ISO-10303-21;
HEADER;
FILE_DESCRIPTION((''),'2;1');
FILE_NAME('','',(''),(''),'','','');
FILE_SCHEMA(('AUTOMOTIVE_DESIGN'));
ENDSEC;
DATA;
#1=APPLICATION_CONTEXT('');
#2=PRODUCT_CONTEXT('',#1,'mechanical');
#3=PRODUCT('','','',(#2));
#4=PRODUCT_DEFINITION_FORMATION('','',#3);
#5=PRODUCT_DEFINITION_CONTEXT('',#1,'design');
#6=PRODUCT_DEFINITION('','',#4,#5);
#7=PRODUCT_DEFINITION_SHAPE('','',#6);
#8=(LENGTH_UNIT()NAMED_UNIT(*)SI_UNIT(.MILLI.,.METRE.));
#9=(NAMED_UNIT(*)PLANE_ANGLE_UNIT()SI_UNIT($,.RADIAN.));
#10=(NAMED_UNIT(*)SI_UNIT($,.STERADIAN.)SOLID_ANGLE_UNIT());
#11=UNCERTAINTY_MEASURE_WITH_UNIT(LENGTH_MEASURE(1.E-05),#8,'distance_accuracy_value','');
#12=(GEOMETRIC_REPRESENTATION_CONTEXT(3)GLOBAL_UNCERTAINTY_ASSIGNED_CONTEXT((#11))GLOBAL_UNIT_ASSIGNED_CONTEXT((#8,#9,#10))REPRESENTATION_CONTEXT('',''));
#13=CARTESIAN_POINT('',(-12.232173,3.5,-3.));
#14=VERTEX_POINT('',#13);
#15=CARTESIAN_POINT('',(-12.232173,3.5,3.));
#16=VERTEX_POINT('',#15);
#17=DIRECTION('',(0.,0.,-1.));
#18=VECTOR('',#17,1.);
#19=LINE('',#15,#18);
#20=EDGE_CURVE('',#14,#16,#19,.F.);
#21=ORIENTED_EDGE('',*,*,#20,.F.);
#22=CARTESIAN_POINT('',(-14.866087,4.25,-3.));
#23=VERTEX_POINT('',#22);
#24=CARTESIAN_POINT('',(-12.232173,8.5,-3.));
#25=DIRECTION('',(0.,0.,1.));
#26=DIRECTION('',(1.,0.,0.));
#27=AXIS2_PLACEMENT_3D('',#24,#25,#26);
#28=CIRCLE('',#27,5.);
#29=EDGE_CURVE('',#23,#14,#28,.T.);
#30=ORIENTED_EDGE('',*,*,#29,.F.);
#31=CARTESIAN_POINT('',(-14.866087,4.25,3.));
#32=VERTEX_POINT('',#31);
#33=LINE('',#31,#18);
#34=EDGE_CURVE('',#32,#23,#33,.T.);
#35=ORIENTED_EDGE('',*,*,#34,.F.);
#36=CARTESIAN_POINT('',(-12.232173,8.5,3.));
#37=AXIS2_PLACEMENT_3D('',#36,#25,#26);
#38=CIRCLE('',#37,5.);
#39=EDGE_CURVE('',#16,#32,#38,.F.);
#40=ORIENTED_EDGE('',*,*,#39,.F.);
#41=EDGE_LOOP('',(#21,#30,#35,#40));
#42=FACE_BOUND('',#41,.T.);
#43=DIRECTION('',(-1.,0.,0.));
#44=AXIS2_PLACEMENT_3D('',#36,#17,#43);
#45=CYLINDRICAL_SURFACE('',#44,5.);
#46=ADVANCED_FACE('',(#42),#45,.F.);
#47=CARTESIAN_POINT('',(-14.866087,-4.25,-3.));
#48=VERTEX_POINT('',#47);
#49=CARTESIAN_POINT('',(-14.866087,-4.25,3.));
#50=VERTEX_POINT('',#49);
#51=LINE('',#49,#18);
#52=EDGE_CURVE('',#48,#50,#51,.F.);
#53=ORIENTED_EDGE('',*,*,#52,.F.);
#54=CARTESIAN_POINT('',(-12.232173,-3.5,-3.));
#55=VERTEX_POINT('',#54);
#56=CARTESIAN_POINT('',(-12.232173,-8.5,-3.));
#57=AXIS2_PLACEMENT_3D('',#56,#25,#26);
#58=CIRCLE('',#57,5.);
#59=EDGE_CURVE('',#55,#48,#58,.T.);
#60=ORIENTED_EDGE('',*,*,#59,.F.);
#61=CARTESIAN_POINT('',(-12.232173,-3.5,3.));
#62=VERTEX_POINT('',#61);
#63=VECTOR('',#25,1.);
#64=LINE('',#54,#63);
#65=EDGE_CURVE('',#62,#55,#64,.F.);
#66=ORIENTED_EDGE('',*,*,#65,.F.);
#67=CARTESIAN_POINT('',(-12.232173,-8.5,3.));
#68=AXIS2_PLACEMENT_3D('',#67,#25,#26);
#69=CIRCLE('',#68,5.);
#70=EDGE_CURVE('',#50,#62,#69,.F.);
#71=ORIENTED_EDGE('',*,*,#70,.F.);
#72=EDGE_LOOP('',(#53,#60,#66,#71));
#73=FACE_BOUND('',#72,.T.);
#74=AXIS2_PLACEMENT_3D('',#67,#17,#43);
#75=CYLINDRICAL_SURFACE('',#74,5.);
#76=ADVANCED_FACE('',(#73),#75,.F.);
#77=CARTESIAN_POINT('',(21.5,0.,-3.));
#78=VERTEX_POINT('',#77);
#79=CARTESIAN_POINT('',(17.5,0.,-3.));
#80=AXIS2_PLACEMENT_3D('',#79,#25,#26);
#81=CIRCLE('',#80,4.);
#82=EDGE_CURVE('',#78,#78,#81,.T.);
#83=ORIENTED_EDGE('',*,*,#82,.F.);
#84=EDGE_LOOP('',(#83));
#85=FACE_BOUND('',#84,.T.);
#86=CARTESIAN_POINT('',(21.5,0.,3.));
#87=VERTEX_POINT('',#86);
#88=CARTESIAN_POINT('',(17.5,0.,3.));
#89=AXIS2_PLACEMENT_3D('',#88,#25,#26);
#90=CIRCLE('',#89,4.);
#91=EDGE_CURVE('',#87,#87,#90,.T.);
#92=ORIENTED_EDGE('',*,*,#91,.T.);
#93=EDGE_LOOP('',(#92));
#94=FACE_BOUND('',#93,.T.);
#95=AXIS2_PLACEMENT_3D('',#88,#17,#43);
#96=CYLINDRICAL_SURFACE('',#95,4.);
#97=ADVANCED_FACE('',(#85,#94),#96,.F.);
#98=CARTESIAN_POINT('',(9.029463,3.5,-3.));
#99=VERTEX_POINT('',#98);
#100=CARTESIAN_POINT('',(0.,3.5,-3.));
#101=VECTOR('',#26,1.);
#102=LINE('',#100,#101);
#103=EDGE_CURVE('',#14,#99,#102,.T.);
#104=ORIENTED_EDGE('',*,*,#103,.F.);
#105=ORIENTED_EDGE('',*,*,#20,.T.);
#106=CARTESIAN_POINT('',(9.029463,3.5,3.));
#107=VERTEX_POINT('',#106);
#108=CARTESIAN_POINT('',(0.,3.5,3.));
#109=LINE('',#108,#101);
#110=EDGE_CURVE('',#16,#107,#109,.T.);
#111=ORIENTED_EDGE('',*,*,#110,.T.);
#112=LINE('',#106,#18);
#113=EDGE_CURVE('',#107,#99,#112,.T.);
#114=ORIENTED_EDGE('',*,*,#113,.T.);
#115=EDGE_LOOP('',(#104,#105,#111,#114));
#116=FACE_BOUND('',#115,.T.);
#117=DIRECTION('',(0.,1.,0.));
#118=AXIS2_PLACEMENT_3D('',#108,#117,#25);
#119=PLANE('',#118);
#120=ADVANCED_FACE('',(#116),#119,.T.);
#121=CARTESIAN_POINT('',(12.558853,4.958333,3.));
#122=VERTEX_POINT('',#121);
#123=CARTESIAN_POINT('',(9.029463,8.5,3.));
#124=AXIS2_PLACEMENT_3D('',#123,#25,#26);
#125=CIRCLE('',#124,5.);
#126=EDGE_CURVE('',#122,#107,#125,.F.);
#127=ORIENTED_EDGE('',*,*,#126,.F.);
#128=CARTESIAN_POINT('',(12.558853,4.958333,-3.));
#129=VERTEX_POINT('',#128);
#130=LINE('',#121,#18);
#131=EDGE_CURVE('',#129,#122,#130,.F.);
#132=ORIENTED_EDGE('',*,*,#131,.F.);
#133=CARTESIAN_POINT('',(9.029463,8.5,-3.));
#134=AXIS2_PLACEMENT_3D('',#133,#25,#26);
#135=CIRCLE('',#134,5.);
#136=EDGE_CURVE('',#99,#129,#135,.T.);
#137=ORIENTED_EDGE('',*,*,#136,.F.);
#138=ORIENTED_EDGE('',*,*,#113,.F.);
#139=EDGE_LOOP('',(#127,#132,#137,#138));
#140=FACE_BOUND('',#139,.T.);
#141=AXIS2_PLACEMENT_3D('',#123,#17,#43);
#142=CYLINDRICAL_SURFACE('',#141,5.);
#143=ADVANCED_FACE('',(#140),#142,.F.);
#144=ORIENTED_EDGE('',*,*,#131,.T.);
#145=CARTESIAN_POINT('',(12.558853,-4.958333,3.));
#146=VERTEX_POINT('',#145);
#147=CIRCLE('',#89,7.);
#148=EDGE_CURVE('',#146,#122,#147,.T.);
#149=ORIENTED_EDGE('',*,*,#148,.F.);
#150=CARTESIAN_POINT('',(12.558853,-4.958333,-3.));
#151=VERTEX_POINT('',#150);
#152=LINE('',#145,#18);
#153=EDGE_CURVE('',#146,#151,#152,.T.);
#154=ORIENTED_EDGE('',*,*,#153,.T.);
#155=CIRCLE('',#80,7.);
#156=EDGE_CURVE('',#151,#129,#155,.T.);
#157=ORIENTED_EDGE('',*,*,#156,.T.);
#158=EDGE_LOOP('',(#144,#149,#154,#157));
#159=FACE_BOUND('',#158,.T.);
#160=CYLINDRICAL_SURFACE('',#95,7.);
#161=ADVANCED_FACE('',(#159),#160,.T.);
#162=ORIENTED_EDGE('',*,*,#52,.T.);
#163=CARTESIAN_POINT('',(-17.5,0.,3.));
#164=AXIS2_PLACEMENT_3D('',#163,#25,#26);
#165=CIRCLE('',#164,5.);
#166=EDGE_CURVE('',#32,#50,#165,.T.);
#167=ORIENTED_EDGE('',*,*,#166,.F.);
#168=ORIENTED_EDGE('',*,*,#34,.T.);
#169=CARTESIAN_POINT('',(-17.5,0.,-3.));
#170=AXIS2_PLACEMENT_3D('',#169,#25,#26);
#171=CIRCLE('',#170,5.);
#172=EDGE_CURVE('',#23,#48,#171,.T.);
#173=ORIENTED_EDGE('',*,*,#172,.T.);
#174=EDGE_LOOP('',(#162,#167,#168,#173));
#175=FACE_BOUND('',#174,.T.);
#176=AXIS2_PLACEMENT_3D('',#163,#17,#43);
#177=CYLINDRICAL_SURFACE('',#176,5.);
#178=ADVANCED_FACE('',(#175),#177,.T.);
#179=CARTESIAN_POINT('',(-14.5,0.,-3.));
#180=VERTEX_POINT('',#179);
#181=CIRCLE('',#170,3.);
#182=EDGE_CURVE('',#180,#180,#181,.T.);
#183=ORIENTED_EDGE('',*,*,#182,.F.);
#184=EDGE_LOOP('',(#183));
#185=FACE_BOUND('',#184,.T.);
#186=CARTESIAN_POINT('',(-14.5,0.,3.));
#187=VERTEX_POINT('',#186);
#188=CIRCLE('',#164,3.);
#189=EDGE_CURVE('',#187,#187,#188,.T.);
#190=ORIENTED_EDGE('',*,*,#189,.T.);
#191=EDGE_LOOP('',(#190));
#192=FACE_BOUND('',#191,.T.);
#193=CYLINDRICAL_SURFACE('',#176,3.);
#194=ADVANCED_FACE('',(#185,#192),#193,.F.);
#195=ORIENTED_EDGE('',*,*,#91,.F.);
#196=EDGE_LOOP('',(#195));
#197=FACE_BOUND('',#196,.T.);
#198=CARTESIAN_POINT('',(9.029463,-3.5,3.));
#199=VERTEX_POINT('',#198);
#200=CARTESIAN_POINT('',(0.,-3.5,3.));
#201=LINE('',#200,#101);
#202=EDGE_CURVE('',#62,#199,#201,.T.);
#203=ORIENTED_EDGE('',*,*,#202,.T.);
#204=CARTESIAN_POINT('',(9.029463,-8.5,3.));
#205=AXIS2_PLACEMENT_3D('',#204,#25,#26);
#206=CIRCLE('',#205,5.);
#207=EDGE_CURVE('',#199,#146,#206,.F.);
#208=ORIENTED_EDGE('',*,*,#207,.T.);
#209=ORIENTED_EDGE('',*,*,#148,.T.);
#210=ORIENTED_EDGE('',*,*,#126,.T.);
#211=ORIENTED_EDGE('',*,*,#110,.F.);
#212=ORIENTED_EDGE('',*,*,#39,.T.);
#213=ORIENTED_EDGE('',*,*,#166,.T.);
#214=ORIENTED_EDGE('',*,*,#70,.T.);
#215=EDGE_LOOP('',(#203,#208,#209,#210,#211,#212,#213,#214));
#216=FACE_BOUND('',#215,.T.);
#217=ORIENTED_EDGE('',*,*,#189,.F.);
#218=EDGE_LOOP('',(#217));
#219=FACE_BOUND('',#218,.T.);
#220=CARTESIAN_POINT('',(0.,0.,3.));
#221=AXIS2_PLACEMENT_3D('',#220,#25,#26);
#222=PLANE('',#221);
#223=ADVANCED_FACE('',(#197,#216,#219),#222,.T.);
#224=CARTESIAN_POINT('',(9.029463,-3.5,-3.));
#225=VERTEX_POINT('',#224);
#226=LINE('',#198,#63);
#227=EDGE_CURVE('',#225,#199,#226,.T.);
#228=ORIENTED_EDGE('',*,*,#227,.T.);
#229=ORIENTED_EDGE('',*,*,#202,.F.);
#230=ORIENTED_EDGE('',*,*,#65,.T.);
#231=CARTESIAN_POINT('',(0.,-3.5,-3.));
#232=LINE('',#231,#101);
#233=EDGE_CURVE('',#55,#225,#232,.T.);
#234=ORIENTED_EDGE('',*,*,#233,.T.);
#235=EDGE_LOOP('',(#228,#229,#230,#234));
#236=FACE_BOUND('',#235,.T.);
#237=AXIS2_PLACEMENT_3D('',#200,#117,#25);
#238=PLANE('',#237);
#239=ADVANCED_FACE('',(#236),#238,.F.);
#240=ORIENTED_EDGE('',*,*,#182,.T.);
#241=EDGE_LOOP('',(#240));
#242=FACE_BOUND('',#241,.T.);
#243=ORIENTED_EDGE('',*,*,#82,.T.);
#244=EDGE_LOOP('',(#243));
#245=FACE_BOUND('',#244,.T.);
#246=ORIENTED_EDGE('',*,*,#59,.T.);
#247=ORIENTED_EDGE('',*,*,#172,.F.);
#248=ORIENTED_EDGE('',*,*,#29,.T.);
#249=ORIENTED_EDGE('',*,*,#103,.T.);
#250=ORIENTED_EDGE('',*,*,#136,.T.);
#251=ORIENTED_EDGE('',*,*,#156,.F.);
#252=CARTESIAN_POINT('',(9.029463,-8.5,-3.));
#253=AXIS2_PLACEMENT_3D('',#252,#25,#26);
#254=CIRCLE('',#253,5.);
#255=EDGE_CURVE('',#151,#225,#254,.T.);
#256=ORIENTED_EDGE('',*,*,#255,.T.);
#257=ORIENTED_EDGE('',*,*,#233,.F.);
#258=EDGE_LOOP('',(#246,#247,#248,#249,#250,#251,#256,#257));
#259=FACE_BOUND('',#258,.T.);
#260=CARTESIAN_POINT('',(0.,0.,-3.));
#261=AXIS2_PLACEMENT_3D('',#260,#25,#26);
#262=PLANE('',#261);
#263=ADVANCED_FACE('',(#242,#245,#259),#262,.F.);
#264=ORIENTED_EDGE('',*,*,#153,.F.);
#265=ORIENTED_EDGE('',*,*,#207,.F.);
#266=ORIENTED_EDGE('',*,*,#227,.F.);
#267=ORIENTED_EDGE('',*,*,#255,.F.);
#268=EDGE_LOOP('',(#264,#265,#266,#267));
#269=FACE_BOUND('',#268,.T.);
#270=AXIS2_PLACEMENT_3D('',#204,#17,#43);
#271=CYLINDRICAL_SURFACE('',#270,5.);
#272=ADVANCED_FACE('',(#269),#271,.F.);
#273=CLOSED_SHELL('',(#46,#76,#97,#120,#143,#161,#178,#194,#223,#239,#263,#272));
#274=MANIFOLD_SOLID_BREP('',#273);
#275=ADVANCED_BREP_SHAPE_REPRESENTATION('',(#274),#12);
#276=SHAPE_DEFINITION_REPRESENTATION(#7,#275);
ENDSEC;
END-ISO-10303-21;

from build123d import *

# Parameters (mm, degrees)
BOSS_EXTRUDE1_DEPTH = 3
FILLET1_R           = 5


with BuildPart() as part:
    # Sketch3 → Boss-Extrude1 (new, symmetric)
    with BuildSketch(Plane.XY):
        with BuildLine():
            Line((11.437822174, 3.5), (-13.929285786, 3.5))
            ThreePointArc((-13.929285786, 3.5), (-12.871092404, 1.890294809), (-12.5, 0))
            ThreePointArc((-12.5, 0), (-12.871092404, -1.890294809), (-13.929285786, -3.5))
            Line((-13.929285786, -3.5), (11.437822174, -3.5))
            ThreePointArc((11.437822174, -3.5), (10.5, 0), (11.437822174, 3.5))
        make_face()
        with BuildLine():
            Line((-17.5, 3), (-17.5, 3.5))
            Line((-17.5, 3.5), (-13.929285786, 3.5))
            ThreePointArc((-13.929285786, 3.5), (-22.5, 0), (-13.929285786, -3.5))
            Line((-13.929285786, -3.5), (-17.5, -3.5))
            Line((-17.5, -3.5), (-17.5, -3))
            ThreePointArc((-17.5, -3), (-20.5, 0), (-17.5, 3))
        make_face()
        with BuildLine():
            Line((-13.929285786, 3.5), (-17.5, 3.5))
            Line((-17.5, 3.5), (-17.5, 3))
            ThreePointArc((-17.5, 3), (-15.378679656, 2.121320344), (-14.5, 0))
            ThreePointArc((-14.5, 0), (-15.378679656, -2.121320344), (-17.5, -3))
            Line((-17.5, -3), (-17.5, -3.5))
            Line((-17.5, -3.5), (-13.929285786, -3.5))
            ThreePointArc((-13.929285786, -3.5), (-12.871092404, -1.890294809), (-12.5, 0))
            ThreePointArc((-12.5, 0), (-12.871092404, 1.890294809), (-13.929285786, 3.5))
        make_face()
        with BuildLine():
            ThreePointArc((24.5, 0), (19.311733316, 6.761480784), (11.437822174, 3.5))
            Line((11.437822174, 3.5), (15.563508327, 3.5))
            ThreePointArc((15.563508327, 3.5), (19.531506006, 3.445719569), (21.5, 0))
            ThreePointArc((21.5, 0), (19.531506006, -3.445719569), (15.563508327, -3.5))
            Line((15.563508327, -3.5), (11.437822174, -3.5))
            ThreePointArc((11.437822174, -3.5), (19.311733316, -6.761480784), (24.5, 0))
        make_face()
        with BuildLine():
            Line((15.563508327, 3.5), (11.437822174, 3.5))
            ThreePointArc((11.437822174, 3.5), (10.5, 0), (11.437822174, -3.5))
            Line((11.437822174, -3.5), (15.563508327, -3.5))
            ThreePointArc((15.563508327, -3.5), (13.5, 0), (15.563508327, 3.5))
        make_face()
    extrude(amount=BOSS_EXTRUDE1_DEPTH, both=True)

    # Fillet1
    fillet1_edges = [part.edges().sort_by_distance(p)[0] for p in [
        (-13.929285786, 3.5, 0),
        (11.437822174, 3.5, 0),
        (11.437822174, -3.5, 0),
        (-13.929285786, -3.5, 0),
    ]]
    fillet(fillet1_edges, radius=FILLET1_R)


solid = part.part
